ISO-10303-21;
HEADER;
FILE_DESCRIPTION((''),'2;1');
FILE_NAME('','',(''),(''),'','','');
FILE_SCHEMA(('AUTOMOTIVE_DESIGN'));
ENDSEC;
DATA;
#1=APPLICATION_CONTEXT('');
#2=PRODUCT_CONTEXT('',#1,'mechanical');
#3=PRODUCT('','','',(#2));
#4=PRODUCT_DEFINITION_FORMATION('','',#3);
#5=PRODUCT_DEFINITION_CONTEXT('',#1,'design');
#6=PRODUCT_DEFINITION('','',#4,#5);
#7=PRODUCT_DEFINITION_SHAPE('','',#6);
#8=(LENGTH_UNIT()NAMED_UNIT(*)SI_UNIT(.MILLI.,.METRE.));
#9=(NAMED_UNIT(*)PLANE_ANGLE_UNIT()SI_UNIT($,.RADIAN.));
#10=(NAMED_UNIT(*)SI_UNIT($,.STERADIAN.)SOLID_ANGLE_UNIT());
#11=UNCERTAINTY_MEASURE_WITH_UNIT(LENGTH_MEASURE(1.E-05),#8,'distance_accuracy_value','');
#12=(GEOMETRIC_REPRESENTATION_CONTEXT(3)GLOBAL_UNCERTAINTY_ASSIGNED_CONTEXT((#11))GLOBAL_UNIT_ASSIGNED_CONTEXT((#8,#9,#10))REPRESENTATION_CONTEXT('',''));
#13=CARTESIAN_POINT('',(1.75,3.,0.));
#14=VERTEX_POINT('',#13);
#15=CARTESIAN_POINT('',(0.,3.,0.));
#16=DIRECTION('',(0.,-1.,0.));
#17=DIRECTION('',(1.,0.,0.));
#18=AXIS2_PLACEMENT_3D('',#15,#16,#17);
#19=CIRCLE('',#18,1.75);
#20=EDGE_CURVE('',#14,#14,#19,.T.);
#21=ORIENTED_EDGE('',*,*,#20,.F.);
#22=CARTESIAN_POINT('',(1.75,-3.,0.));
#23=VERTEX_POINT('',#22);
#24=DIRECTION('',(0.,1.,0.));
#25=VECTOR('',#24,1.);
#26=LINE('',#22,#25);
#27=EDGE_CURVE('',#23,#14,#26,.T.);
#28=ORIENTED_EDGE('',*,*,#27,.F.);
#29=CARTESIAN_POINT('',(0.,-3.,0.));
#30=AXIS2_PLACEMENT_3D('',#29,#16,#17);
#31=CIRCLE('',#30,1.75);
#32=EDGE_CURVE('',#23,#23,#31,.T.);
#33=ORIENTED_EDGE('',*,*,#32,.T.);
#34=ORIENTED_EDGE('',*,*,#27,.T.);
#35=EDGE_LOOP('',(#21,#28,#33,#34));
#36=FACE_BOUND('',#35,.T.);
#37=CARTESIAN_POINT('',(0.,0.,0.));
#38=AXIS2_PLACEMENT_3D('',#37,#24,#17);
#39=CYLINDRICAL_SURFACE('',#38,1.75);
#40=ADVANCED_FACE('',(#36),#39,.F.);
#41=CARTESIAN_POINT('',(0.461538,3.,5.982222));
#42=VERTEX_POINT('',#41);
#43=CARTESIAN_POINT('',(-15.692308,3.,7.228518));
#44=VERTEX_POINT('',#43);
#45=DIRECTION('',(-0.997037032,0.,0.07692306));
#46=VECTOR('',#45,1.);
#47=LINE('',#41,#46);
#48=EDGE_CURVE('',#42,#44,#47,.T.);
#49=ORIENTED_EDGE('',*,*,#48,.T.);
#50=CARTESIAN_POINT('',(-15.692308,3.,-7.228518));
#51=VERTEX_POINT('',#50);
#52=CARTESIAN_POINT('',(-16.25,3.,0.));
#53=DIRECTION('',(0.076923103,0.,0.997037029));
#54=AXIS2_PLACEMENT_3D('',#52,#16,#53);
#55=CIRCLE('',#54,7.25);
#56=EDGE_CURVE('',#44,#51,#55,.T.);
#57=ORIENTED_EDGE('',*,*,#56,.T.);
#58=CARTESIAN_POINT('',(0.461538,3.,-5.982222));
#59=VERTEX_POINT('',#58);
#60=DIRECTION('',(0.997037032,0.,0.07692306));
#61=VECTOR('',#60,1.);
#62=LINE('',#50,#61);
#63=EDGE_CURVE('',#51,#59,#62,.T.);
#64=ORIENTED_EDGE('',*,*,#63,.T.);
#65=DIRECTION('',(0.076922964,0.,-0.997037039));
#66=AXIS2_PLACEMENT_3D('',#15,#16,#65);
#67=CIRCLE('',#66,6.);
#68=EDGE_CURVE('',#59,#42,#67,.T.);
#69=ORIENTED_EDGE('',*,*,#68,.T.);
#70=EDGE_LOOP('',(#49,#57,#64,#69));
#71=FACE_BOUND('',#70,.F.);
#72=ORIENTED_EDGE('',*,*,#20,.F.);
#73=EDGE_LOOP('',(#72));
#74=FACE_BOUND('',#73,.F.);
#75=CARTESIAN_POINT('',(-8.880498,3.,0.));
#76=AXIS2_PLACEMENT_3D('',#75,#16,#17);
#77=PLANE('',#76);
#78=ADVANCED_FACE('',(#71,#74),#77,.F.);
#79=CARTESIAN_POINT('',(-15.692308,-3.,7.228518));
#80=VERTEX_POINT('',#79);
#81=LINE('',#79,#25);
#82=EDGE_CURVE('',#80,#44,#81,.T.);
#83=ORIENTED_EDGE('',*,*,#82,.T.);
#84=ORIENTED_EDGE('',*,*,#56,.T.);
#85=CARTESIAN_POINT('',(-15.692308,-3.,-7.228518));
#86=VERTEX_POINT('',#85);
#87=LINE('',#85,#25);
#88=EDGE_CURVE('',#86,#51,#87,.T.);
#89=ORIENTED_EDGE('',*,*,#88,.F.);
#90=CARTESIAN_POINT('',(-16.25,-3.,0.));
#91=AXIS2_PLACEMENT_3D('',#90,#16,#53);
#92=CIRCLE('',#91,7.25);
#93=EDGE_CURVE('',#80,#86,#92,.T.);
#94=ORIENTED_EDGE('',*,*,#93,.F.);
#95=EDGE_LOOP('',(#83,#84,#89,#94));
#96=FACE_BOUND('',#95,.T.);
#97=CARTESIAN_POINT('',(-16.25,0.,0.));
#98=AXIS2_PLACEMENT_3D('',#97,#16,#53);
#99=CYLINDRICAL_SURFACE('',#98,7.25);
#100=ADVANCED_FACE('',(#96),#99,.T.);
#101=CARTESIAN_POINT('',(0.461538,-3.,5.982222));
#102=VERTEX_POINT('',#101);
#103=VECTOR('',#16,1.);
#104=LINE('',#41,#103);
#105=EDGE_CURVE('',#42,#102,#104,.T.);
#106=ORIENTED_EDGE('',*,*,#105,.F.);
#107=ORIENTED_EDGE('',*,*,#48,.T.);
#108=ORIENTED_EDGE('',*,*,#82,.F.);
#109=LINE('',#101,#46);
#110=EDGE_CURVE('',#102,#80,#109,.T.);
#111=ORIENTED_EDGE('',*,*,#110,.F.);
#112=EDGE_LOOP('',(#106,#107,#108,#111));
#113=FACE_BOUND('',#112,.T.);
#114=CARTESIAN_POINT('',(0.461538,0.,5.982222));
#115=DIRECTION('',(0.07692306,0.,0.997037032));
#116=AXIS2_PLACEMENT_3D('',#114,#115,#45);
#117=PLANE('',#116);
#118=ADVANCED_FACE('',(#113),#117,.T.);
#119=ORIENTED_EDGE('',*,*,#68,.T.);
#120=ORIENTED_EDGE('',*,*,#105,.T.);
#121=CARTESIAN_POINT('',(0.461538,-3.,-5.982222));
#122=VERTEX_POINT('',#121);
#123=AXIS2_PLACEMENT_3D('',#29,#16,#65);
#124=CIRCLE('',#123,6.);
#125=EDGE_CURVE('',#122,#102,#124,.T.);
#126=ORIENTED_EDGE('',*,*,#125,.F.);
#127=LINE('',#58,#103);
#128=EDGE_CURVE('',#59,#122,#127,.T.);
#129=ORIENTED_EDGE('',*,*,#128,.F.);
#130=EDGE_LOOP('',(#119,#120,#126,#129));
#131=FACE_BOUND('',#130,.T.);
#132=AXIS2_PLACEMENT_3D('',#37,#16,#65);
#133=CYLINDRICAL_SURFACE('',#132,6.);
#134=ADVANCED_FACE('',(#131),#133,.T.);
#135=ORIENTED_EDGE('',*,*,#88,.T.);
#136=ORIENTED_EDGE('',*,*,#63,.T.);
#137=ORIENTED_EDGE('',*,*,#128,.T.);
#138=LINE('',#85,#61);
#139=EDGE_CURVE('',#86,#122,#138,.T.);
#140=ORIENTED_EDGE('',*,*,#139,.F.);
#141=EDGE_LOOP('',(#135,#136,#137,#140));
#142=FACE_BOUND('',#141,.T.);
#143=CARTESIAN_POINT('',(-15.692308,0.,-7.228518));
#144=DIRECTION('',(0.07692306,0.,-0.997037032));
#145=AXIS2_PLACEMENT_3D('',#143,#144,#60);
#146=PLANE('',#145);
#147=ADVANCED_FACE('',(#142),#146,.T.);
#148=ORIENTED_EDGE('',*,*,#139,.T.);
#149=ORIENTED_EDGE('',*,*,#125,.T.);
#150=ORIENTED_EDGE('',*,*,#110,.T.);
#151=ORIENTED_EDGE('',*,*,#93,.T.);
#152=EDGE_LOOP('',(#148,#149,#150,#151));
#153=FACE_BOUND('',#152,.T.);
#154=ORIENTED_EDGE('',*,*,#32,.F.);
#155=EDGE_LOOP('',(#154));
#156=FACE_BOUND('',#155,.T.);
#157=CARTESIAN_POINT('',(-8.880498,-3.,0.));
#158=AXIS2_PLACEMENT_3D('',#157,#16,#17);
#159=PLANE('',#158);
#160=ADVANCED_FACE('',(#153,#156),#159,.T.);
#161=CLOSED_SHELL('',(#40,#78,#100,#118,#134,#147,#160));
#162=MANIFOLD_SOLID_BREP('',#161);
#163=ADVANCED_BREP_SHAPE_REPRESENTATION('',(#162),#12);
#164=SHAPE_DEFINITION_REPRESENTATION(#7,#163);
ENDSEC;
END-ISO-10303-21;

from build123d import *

# Parameters (mm, degrees)
F0_R     = 1.75
F1_DEPTH = 3


with BuildPart() as f1:
    # F0 (on Front) → F1 (new body, symmetric)
    with BuildSketch(Plane.XZ):
        with BuildLine():
            Line((-15.692308, -7.228518), (0.461538, -5.982222))
            ThreePointArc((0.461538, -5.982222), (6, 0), (0.461538, 5.982222))
            Line((0.461538, 5.982222), (-15.692308, 7.228518))
            ThreePointArc((-15.692308, 7.228518), (-23.5, 0), (-15.692308, -7.228518))
        make_face()
        Circle(F0_R, mode=Mode.SUBTRACT)
    extrude(amount=F1_DEPTH, both=True)


solid = f1.part
